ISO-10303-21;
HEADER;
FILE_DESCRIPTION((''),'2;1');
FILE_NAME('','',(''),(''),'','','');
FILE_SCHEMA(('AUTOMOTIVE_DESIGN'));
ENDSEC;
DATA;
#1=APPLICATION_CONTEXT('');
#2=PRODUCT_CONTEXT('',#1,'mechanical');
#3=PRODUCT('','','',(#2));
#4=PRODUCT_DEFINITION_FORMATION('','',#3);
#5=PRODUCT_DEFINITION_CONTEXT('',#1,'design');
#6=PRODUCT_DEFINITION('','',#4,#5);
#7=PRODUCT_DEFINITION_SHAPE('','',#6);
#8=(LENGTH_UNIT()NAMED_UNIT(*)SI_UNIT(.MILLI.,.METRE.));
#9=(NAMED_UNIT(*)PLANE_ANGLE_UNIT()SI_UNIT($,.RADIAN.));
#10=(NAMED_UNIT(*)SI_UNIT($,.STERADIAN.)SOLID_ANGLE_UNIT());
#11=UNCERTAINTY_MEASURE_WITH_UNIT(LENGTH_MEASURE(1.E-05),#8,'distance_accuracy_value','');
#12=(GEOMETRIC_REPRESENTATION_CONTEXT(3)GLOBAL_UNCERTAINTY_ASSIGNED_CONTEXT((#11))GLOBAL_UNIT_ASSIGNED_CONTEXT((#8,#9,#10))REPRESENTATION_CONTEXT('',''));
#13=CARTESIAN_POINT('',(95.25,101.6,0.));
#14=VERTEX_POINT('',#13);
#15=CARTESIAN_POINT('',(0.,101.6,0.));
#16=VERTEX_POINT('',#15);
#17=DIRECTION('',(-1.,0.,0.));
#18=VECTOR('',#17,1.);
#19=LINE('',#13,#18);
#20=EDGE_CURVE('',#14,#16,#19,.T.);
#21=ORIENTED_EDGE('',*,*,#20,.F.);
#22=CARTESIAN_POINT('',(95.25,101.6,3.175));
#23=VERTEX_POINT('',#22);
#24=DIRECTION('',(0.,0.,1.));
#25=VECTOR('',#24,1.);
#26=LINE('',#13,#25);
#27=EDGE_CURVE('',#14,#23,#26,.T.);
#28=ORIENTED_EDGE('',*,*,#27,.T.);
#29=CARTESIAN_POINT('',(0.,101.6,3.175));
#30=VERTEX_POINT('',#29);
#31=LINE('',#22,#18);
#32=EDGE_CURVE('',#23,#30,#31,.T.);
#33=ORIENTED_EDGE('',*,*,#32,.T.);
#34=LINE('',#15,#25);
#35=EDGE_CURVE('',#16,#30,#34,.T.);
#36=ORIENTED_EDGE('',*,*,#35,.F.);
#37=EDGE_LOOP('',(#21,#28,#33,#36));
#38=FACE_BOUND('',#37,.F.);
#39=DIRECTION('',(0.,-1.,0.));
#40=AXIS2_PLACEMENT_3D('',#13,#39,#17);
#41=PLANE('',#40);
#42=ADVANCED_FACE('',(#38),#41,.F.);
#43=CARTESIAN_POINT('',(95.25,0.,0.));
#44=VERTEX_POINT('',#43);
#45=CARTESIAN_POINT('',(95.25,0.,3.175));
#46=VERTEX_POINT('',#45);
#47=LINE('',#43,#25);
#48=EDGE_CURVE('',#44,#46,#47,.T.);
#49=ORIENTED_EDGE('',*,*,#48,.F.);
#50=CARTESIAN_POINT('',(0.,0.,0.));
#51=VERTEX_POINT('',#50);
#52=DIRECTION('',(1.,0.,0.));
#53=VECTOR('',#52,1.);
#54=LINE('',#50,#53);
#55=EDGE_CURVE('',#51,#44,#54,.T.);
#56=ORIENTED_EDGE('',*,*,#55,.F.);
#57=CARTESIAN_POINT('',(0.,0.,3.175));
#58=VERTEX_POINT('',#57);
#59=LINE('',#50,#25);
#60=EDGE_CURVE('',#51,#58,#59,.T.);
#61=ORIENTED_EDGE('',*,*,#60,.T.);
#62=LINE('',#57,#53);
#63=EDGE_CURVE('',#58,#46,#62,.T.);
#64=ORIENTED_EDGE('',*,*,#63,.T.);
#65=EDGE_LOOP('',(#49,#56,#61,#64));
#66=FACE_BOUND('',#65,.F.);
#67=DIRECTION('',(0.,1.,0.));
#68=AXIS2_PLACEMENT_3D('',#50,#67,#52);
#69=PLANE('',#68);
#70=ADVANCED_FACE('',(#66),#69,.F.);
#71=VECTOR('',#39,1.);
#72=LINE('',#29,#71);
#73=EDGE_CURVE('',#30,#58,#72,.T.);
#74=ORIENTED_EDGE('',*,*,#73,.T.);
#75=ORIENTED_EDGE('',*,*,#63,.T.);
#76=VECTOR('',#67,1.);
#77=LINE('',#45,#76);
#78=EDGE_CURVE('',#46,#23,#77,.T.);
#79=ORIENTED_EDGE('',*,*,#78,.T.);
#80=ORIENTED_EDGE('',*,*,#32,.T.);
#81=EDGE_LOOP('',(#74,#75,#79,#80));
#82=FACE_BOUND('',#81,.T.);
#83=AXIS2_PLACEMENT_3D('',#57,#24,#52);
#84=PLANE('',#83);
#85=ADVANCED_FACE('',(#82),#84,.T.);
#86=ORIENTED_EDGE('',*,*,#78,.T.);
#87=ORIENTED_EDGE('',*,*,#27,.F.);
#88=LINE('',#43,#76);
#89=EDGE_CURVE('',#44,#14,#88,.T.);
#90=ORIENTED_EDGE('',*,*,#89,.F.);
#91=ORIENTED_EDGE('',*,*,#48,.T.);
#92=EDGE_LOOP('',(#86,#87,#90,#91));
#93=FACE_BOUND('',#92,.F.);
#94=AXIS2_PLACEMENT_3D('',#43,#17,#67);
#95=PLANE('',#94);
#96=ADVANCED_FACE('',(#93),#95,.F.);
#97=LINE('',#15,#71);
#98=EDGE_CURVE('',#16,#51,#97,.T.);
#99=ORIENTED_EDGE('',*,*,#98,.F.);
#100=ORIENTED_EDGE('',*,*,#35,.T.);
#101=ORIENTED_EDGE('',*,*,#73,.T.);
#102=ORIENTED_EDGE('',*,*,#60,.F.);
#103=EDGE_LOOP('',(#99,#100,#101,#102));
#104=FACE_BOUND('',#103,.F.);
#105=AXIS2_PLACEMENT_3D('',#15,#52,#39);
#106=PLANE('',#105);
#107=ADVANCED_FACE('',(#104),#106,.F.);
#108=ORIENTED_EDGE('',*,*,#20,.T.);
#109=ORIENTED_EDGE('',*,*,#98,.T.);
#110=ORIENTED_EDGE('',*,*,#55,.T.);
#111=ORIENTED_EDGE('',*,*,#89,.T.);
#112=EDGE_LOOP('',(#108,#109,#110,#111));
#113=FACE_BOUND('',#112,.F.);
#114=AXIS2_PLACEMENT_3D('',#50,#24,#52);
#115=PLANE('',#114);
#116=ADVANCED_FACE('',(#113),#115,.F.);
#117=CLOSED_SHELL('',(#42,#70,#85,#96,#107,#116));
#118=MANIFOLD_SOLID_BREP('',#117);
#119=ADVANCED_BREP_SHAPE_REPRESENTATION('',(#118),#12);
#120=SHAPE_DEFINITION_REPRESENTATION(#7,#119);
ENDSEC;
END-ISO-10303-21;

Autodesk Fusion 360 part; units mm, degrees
sketch "Sketch1" plane through (0, 0, 0) normal (0, 0, 1) x (1, 0, 0)
  line L0 (0, 0) -> (95.25, 0)
  line L1 (95.25, 0) -> (95.25, 101.6)
  line L2 (95.25, 101.6) -> (0, 101.6)
  line L3 (0, 101.6) -> (0, 0)
  dimension "d1" = 95.25
  dimension "d2" = 101.6
  dimension "d3" = 95.25
extrude "Extrude1" add sketch "Sketch1" along normal blind 3.175
